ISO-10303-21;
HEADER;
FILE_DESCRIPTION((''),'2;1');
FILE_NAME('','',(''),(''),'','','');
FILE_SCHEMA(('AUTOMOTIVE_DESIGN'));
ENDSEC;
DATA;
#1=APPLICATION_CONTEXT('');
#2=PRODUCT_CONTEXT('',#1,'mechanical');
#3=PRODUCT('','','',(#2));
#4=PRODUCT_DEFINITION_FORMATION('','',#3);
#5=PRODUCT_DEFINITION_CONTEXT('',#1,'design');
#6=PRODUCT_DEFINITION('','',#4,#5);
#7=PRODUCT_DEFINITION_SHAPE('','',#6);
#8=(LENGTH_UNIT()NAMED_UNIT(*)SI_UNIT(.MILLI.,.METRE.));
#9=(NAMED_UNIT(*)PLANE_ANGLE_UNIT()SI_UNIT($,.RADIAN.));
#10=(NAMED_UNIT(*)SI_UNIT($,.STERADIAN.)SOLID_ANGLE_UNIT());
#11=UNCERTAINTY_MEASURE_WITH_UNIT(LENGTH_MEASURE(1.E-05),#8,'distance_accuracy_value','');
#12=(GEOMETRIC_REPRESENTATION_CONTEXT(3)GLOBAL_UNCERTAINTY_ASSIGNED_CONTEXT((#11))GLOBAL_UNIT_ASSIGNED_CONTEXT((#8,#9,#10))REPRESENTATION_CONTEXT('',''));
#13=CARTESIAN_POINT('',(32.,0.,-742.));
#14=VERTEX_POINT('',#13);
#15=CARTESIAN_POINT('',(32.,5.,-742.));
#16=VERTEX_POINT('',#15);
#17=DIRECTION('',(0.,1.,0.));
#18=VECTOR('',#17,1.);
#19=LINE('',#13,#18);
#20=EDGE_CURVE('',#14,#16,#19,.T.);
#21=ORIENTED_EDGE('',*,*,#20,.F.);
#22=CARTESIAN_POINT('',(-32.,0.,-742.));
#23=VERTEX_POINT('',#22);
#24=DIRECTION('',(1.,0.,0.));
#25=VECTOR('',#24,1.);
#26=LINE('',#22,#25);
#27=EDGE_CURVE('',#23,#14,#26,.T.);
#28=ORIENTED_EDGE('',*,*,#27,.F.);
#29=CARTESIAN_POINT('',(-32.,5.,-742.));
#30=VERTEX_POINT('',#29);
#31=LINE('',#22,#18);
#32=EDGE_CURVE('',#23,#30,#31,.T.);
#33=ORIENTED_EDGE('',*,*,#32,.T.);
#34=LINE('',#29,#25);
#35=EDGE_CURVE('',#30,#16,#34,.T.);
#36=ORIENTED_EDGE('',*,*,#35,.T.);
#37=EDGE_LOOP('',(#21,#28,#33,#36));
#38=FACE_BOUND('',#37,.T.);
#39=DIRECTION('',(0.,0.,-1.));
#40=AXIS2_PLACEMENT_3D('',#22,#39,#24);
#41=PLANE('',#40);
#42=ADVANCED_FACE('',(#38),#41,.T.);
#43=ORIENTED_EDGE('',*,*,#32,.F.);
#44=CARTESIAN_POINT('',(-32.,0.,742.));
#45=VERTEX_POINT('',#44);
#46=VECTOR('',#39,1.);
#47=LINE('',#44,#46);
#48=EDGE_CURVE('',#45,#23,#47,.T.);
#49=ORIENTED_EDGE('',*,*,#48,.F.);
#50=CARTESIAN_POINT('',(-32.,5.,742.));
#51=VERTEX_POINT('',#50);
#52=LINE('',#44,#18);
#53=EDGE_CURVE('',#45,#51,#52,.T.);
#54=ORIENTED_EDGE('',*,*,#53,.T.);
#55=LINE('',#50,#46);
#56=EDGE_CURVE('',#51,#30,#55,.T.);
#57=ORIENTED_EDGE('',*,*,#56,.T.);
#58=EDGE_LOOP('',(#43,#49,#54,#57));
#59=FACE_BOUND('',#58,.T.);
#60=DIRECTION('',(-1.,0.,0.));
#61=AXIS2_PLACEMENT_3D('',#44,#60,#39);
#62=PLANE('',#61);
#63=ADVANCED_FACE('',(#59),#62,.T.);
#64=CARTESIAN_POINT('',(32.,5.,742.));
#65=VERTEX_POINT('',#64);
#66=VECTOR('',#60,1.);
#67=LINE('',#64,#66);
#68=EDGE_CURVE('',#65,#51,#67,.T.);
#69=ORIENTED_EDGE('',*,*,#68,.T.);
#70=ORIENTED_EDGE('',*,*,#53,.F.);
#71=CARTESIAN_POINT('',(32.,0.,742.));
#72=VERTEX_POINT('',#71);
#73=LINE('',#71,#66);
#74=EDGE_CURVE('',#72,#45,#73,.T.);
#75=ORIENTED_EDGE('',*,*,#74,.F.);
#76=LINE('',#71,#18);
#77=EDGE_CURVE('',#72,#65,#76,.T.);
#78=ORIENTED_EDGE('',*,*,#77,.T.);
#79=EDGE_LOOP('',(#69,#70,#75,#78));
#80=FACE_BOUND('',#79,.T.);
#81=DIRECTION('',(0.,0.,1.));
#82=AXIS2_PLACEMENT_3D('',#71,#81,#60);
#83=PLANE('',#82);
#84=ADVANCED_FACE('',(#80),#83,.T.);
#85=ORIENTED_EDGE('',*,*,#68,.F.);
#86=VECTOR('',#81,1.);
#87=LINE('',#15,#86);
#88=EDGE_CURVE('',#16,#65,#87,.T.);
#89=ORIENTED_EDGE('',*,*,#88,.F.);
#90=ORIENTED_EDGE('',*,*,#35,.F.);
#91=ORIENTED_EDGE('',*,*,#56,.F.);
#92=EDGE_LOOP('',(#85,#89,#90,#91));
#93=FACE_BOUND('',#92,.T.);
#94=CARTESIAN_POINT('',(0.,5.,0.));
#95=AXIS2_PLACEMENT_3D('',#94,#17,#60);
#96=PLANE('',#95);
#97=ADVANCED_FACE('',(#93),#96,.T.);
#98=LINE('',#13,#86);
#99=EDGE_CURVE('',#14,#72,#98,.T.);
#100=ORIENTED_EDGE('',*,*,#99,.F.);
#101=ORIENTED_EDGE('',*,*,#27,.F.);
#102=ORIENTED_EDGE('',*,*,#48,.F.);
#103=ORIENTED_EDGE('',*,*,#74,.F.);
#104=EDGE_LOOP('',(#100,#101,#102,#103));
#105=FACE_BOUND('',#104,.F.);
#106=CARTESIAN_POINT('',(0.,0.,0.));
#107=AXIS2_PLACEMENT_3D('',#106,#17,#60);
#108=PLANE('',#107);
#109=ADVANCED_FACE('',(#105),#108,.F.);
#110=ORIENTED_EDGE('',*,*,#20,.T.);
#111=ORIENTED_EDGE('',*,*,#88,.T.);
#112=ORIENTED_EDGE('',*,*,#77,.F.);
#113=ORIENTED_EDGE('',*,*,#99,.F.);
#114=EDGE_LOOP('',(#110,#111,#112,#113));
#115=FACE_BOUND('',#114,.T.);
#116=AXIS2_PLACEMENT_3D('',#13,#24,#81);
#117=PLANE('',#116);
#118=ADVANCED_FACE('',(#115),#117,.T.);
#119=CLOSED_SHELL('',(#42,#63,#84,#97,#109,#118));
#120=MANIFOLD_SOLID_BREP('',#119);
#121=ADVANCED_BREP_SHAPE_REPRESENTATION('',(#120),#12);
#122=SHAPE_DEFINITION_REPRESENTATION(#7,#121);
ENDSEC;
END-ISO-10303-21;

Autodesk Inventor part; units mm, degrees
ref_plane "YZ Plane" through (0, 0, 0) normal (1, 0, 0) x (0, 1, 0)
ref_plane "XZ Plane" through (0, 0, 0) normal (0, 1, 0) x (-1, 0, 0)
ref_plane "XY Plane" through (0, 0, 0) normal (0, 0, 1) x (1, 0, 0)
sketch "Эскиз1" plane through (0, 0, 0) normal (0, 1, 0) x (-1, 0, 0)
  line L0 (-32, 742) -> (32, 742)
  line L1 (32, 742) -> (32, -742)
  line L2 (32, -742) -> (-32, -742)
  line L3 (-32, -742) -> (-32, 742)
  line L4 (-32, 742) -> (32, -742) construction
  line L5 (32, 742) -> (-32, -742) construction
  point P0 (0, 0)
  dimension "d0" = 64
  dimension "d1" = 1484
extrude "Пластина1" add sketch "Эскиз1" along normal blind 5
equation "\"d2\" = Толщина"
equation "\"Радиус_гибки\" = Толщина"
equation "\"Ширина_просечки\" = Толщина"
equation "\"Глубина_просечки\" = 0.5 * Толщина"
equation "\"Радиус_перехода\" = Радиус_гибки"
equation "\"Радиус_Якоби\" = Радиус_гибки"
equation "\"Размер_зазора\" = Толщина"
equation "\"Толщина\" = 5"
properties part number "GBK bottom 0134" material "Steel"
